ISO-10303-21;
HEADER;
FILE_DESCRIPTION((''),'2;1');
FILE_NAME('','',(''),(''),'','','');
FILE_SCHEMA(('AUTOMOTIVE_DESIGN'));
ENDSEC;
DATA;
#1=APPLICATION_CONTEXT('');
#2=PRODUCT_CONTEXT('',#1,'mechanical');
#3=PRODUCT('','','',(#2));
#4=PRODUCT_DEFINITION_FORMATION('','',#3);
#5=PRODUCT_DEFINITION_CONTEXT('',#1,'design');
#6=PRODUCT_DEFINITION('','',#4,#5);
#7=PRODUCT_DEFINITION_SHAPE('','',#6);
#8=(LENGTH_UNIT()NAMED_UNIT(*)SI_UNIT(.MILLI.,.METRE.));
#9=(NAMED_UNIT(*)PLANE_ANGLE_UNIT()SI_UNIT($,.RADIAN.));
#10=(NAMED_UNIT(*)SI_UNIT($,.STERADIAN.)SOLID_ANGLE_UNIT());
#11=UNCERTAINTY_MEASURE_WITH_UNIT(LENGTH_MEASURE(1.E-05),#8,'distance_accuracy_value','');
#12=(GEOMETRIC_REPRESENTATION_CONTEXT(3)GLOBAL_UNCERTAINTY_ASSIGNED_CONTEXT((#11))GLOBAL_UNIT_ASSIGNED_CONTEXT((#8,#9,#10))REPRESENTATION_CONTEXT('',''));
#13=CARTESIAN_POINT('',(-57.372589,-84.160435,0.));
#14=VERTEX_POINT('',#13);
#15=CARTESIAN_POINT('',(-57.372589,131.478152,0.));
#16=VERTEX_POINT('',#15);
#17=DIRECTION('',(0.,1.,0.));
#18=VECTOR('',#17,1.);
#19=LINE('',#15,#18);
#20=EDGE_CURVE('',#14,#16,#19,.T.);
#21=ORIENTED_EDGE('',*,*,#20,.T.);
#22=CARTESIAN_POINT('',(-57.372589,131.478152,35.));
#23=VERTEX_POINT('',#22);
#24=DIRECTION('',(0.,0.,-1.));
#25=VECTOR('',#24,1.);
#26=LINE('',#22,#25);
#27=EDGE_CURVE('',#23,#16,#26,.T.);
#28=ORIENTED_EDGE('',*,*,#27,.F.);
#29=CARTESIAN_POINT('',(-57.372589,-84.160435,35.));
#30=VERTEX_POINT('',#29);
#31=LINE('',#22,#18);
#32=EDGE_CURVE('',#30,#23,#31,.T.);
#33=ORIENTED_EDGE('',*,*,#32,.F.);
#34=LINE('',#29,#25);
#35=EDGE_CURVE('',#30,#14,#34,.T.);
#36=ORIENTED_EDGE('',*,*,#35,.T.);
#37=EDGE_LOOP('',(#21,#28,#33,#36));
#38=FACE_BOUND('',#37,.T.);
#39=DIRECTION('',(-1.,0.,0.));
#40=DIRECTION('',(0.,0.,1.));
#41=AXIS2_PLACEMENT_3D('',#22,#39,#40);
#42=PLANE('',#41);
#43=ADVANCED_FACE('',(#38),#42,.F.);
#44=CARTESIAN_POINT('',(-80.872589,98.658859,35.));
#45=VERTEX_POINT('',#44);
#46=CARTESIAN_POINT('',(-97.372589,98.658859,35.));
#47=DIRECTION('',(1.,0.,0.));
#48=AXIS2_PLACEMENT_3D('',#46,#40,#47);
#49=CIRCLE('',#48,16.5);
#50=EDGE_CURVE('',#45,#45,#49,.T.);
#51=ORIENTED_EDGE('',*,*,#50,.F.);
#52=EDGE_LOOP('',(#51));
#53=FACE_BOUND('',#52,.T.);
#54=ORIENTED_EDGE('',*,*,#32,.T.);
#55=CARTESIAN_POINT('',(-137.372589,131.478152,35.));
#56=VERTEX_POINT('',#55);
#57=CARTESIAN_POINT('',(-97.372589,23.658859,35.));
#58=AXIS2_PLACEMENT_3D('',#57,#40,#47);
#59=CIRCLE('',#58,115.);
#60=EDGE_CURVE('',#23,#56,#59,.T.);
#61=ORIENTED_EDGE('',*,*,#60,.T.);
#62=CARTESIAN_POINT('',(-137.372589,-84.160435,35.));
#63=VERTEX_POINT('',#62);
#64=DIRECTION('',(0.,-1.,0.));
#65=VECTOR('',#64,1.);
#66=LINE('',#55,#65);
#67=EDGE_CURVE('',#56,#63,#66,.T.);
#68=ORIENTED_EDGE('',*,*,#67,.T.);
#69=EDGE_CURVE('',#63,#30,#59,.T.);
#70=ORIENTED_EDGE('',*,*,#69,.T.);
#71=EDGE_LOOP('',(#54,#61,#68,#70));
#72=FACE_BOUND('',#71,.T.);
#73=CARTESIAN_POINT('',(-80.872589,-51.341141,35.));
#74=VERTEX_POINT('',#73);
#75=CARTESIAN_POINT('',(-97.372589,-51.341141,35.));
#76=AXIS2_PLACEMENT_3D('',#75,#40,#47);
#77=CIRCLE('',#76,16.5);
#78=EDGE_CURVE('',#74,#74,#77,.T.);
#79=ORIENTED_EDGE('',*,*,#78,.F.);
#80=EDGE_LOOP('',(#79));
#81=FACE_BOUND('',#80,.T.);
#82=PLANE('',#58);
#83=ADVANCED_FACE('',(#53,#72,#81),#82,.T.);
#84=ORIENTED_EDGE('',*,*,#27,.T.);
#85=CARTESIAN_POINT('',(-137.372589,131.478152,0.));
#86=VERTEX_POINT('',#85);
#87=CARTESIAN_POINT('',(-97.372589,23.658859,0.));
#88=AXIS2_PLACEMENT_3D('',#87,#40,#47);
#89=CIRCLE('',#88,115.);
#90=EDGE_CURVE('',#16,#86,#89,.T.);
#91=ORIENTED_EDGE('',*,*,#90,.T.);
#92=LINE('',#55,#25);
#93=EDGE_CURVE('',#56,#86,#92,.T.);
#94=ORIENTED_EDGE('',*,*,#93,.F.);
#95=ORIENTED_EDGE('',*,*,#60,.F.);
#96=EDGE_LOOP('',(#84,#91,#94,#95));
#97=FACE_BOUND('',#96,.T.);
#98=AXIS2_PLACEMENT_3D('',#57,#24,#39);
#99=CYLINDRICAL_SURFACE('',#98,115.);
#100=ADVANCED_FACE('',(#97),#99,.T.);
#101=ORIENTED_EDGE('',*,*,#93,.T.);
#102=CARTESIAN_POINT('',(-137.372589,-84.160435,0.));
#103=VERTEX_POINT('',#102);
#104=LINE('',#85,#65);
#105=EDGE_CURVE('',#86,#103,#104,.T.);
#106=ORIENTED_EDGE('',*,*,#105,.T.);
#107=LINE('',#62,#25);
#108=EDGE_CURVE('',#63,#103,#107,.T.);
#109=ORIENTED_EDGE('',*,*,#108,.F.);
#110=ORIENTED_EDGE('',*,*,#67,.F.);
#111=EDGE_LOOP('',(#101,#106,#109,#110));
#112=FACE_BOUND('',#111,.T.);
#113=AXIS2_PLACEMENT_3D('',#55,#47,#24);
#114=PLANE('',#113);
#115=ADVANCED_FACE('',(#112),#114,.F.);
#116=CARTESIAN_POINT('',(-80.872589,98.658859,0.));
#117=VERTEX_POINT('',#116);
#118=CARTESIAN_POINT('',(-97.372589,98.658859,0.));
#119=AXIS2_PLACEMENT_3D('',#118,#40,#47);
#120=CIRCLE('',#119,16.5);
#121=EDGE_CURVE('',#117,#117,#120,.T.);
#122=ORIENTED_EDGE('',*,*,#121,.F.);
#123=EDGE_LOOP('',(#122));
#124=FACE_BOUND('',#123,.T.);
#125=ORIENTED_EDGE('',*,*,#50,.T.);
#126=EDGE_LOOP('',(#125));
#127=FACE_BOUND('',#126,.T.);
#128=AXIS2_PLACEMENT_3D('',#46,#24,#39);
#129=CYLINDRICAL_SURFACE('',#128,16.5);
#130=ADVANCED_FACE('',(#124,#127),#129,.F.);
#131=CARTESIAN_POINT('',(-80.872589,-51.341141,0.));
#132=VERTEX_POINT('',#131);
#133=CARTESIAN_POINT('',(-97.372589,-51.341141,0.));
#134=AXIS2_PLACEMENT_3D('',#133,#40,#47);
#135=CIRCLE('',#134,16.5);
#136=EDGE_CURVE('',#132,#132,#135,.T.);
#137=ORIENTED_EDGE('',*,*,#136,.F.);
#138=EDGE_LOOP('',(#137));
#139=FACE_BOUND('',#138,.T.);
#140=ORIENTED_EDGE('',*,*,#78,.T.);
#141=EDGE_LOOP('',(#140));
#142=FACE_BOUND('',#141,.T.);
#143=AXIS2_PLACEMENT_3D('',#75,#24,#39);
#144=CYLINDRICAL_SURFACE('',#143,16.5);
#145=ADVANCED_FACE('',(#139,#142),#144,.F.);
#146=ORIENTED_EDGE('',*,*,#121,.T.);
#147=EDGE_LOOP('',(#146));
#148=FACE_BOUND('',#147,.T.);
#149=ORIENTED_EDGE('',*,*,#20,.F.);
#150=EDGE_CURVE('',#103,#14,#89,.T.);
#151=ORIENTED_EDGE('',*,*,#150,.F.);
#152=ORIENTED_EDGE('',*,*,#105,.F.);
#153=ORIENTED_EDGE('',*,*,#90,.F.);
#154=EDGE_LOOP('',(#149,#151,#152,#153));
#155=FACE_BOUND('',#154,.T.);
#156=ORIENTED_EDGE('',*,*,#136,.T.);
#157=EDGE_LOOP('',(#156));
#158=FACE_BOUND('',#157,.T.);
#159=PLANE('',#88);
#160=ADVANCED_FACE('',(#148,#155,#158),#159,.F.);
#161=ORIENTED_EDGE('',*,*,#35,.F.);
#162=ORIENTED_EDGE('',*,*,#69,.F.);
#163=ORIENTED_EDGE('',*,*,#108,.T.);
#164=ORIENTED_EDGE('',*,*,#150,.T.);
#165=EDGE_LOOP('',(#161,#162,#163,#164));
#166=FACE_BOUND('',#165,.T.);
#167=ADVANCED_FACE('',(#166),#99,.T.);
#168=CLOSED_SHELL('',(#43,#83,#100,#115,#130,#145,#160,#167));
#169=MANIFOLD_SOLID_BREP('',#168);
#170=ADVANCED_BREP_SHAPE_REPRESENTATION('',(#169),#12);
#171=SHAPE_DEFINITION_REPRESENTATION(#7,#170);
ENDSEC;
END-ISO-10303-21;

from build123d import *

# Parameters (mm, degrees)
SKETCH1_R           = 16.5
BOSS_EXTRUDE1_DEPTH = 35


with BuildPart() as part:
    # Sketch1 → Boss-Extrude1 (new body)
    with BuildSketch(Plane.XY):
        with BuildLine():
            Line((-57.372588678, 131.478151898), (-57.372588678, -84.160434631))
            ThreePointArc((-57.372588678, -84.160434631), (-97.372588678, -91.341141367), (-137.372588678, -84.160434631))
            Line((-137.372588678, -84.160434631), (-137.372588678, 131.478151898))
            ThreePointArc((-137.372588678, 131.478151898), (-97.372588678, 138.658858633), (-57.372588678, 131.478151898))
        make_face()
        with Locations((-97.372588678, 98.658858633)):
            Circle(SKETCH1_R, mode=Mode.SUBTRACT)
        with Locations((-97.372588678, -51.341141367)):
            Circle(SKETCH1_R, mode=Mode.SUBTRACT)
    extrude(amount=BOSS_EXTRUDE1_DEPTH)


solid = part.part
